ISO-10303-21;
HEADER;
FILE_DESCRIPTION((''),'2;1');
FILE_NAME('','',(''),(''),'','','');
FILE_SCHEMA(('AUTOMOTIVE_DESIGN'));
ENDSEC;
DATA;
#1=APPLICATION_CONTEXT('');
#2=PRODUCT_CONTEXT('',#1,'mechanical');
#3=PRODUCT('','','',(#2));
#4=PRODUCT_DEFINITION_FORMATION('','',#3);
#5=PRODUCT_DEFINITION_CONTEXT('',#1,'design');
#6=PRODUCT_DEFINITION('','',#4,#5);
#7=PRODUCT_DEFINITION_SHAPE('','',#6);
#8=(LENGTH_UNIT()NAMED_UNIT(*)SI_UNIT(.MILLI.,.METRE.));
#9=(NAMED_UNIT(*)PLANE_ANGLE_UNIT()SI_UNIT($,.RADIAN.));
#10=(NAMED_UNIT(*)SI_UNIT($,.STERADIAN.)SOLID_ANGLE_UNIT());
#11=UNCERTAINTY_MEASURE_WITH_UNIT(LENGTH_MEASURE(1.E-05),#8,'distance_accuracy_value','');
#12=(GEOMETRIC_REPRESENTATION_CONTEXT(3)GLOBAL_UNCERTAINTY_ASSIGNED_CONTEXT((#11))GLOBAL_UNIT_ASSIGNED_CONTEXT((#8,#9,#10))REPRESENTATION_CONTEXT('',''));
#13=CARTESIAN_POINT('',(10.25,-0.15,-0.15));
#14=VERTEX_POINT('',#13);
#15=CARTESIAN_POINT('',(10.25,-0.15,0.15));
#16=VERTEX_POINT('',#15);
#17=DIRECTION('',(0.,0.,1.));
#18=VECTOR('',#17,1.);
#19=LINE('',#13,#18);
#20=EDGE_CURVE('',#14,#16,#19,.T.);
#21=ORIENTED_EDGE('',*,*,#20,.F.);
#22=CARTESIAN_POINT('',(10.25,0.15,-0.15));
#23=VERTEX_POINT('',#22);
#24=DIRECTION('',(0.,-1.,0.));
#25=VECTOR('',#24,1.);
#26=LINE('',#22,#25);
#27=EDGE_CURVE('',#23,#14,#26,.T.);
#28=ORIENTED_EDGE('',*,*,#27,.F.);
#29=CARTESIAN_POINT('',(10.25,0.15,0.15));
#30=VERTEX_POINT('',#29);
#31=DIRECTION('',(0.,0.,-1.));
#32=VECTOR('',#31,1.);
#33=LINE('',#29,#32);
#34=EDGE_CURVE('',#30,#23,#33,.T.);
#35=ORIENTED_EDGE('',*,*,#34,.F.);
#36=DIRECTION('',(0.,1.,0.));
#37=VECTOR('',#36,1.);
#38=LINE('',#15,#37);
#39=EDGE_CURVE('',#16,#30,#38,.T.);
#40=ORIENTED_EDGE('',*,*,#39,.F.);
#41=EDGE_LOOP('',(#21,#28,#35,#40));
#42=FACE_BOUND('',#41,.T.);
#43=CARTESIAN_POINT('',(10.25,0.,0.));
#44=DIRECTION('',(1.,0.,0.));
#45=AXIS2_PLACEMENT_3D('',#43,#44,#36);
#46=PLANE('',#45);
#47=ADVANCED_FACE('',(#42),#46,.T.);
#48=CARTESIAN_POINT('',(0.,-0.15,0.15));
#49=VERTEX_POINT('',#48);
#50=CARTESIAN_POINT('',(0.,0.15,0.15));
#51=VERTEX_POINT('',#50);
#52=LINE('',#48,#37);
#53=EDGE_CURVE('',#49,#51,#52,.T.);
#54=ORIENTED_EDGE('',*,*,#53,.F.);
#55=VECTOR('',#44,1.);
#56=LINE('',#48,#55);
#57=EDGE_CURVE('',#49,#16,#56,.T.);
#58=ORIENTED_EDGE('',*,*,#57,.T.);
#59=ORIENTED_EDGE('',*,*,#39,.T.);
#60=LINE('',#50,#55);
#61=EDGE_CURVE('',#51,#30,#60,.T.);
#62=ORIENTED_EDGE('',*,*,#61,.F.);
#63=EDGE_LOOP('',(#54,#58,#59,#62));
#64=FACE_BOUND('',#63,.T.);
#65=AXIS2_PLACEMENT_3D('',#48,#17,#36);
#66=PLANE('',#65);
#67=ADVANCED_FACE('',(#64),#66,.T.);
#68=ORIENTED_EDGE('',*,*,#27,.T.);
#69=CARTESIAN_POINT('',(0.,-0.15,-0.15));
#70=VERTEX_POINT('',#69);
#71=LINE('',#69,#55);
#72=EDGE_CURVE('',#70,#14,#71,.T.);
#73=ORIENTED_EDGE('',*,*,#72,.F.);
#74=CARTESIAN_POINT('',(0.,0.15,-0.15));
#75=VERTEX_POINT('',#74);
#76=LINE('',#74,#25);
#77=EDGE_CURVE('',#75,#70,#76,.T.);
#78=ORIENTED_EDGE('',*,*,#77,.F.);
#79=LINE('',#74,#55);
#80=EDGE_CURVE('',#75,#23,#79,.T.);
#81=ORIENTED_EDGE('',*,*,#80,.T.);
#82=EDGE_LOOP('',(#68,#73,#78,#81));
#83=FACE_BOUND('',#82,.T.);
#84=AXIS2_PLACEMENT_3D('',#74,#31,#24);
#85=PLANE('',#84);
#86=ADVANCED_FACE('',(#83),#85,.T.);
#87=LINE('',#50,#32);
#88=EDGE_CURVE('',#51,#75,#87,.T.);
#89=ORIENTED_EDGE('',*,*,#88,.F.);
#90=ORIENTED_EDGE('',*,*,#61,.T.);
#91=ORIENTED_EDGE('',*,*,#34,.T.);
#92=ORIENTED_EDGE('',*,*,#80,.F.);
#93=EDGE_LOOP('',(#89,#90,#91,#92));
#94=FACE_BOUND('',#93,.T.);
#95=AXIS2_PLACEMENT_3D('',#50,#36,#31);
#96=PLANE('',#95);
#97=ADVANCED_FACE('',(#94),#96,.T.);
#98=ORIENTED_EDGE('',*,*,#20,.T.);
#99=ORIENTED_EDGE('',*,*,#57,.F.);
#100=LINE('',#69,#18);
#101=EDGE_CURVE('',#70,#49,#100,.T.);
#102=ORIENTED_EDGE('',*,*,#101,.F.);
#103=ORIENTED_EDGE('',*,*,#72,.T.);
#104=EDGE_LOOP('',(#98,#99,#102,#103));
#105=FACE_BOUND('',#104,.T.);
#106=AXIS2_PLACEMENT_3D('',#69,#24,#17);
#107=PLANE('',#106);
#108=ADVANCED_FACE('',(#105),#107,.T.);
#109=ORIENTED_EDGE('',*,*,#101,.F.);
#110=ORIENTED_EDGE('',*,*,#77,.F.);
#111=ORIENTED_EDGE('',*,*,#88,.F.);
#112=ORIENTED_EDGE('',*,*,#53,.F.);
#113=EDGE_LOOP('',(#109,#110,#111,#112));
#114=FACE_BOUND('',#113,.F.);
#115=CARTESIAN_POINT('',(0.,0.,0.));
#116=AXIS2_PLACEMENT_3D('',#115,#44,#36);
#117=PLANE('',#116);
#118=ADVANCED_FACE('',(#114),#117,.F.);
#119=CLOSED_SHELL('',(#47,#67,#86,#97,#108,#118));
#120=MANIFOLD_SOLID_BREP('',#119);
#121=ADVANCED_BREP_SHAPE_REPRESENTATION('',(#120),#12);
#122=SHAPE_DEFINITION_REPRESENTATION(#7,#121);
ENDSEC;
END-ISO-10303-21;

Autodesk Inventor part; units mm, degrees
ref_plane "YZ Plane" through (0, 0, 0) normal (1, 0, 0) x (0, 1, 0)
ref_plane "XZ Plane" through (0, 0, 0) normal (0, 1, 0) x (-1, 0, 0)
ref_plane "XY Plane" through (0, 0, 0) normal (0, 0, 1) x (1, 0, 0)
sketch "Sketch1" plane through (0, 0, 0) normal (1, 0, 0) x (0, 1, 0)
  line L0 (-0.15, 0.15) -> (0.15, 0.15)
  line L1 (0.15, 0.15) -> (0.15, -0.15)
  line L2 (0.15, -0.15) -> (-0.15, -0.15)
  line L3 (-0.15, -0.15) -> (-0.15, 0.15)
  line L4 (-0.15, 0.15) -> (0.15, -0.15) construction
  line L5 (0.15, 0.15) -> (-0.15, -0.15) construction
  point P0 (0, 0)
  dimension "d0" = 0.3
  dimension "d1" = 0.3
extrude "Extrusion1" add sketch "Sketch1" along normal blind 10.25
properties part number "Bone1_2_Joint"
